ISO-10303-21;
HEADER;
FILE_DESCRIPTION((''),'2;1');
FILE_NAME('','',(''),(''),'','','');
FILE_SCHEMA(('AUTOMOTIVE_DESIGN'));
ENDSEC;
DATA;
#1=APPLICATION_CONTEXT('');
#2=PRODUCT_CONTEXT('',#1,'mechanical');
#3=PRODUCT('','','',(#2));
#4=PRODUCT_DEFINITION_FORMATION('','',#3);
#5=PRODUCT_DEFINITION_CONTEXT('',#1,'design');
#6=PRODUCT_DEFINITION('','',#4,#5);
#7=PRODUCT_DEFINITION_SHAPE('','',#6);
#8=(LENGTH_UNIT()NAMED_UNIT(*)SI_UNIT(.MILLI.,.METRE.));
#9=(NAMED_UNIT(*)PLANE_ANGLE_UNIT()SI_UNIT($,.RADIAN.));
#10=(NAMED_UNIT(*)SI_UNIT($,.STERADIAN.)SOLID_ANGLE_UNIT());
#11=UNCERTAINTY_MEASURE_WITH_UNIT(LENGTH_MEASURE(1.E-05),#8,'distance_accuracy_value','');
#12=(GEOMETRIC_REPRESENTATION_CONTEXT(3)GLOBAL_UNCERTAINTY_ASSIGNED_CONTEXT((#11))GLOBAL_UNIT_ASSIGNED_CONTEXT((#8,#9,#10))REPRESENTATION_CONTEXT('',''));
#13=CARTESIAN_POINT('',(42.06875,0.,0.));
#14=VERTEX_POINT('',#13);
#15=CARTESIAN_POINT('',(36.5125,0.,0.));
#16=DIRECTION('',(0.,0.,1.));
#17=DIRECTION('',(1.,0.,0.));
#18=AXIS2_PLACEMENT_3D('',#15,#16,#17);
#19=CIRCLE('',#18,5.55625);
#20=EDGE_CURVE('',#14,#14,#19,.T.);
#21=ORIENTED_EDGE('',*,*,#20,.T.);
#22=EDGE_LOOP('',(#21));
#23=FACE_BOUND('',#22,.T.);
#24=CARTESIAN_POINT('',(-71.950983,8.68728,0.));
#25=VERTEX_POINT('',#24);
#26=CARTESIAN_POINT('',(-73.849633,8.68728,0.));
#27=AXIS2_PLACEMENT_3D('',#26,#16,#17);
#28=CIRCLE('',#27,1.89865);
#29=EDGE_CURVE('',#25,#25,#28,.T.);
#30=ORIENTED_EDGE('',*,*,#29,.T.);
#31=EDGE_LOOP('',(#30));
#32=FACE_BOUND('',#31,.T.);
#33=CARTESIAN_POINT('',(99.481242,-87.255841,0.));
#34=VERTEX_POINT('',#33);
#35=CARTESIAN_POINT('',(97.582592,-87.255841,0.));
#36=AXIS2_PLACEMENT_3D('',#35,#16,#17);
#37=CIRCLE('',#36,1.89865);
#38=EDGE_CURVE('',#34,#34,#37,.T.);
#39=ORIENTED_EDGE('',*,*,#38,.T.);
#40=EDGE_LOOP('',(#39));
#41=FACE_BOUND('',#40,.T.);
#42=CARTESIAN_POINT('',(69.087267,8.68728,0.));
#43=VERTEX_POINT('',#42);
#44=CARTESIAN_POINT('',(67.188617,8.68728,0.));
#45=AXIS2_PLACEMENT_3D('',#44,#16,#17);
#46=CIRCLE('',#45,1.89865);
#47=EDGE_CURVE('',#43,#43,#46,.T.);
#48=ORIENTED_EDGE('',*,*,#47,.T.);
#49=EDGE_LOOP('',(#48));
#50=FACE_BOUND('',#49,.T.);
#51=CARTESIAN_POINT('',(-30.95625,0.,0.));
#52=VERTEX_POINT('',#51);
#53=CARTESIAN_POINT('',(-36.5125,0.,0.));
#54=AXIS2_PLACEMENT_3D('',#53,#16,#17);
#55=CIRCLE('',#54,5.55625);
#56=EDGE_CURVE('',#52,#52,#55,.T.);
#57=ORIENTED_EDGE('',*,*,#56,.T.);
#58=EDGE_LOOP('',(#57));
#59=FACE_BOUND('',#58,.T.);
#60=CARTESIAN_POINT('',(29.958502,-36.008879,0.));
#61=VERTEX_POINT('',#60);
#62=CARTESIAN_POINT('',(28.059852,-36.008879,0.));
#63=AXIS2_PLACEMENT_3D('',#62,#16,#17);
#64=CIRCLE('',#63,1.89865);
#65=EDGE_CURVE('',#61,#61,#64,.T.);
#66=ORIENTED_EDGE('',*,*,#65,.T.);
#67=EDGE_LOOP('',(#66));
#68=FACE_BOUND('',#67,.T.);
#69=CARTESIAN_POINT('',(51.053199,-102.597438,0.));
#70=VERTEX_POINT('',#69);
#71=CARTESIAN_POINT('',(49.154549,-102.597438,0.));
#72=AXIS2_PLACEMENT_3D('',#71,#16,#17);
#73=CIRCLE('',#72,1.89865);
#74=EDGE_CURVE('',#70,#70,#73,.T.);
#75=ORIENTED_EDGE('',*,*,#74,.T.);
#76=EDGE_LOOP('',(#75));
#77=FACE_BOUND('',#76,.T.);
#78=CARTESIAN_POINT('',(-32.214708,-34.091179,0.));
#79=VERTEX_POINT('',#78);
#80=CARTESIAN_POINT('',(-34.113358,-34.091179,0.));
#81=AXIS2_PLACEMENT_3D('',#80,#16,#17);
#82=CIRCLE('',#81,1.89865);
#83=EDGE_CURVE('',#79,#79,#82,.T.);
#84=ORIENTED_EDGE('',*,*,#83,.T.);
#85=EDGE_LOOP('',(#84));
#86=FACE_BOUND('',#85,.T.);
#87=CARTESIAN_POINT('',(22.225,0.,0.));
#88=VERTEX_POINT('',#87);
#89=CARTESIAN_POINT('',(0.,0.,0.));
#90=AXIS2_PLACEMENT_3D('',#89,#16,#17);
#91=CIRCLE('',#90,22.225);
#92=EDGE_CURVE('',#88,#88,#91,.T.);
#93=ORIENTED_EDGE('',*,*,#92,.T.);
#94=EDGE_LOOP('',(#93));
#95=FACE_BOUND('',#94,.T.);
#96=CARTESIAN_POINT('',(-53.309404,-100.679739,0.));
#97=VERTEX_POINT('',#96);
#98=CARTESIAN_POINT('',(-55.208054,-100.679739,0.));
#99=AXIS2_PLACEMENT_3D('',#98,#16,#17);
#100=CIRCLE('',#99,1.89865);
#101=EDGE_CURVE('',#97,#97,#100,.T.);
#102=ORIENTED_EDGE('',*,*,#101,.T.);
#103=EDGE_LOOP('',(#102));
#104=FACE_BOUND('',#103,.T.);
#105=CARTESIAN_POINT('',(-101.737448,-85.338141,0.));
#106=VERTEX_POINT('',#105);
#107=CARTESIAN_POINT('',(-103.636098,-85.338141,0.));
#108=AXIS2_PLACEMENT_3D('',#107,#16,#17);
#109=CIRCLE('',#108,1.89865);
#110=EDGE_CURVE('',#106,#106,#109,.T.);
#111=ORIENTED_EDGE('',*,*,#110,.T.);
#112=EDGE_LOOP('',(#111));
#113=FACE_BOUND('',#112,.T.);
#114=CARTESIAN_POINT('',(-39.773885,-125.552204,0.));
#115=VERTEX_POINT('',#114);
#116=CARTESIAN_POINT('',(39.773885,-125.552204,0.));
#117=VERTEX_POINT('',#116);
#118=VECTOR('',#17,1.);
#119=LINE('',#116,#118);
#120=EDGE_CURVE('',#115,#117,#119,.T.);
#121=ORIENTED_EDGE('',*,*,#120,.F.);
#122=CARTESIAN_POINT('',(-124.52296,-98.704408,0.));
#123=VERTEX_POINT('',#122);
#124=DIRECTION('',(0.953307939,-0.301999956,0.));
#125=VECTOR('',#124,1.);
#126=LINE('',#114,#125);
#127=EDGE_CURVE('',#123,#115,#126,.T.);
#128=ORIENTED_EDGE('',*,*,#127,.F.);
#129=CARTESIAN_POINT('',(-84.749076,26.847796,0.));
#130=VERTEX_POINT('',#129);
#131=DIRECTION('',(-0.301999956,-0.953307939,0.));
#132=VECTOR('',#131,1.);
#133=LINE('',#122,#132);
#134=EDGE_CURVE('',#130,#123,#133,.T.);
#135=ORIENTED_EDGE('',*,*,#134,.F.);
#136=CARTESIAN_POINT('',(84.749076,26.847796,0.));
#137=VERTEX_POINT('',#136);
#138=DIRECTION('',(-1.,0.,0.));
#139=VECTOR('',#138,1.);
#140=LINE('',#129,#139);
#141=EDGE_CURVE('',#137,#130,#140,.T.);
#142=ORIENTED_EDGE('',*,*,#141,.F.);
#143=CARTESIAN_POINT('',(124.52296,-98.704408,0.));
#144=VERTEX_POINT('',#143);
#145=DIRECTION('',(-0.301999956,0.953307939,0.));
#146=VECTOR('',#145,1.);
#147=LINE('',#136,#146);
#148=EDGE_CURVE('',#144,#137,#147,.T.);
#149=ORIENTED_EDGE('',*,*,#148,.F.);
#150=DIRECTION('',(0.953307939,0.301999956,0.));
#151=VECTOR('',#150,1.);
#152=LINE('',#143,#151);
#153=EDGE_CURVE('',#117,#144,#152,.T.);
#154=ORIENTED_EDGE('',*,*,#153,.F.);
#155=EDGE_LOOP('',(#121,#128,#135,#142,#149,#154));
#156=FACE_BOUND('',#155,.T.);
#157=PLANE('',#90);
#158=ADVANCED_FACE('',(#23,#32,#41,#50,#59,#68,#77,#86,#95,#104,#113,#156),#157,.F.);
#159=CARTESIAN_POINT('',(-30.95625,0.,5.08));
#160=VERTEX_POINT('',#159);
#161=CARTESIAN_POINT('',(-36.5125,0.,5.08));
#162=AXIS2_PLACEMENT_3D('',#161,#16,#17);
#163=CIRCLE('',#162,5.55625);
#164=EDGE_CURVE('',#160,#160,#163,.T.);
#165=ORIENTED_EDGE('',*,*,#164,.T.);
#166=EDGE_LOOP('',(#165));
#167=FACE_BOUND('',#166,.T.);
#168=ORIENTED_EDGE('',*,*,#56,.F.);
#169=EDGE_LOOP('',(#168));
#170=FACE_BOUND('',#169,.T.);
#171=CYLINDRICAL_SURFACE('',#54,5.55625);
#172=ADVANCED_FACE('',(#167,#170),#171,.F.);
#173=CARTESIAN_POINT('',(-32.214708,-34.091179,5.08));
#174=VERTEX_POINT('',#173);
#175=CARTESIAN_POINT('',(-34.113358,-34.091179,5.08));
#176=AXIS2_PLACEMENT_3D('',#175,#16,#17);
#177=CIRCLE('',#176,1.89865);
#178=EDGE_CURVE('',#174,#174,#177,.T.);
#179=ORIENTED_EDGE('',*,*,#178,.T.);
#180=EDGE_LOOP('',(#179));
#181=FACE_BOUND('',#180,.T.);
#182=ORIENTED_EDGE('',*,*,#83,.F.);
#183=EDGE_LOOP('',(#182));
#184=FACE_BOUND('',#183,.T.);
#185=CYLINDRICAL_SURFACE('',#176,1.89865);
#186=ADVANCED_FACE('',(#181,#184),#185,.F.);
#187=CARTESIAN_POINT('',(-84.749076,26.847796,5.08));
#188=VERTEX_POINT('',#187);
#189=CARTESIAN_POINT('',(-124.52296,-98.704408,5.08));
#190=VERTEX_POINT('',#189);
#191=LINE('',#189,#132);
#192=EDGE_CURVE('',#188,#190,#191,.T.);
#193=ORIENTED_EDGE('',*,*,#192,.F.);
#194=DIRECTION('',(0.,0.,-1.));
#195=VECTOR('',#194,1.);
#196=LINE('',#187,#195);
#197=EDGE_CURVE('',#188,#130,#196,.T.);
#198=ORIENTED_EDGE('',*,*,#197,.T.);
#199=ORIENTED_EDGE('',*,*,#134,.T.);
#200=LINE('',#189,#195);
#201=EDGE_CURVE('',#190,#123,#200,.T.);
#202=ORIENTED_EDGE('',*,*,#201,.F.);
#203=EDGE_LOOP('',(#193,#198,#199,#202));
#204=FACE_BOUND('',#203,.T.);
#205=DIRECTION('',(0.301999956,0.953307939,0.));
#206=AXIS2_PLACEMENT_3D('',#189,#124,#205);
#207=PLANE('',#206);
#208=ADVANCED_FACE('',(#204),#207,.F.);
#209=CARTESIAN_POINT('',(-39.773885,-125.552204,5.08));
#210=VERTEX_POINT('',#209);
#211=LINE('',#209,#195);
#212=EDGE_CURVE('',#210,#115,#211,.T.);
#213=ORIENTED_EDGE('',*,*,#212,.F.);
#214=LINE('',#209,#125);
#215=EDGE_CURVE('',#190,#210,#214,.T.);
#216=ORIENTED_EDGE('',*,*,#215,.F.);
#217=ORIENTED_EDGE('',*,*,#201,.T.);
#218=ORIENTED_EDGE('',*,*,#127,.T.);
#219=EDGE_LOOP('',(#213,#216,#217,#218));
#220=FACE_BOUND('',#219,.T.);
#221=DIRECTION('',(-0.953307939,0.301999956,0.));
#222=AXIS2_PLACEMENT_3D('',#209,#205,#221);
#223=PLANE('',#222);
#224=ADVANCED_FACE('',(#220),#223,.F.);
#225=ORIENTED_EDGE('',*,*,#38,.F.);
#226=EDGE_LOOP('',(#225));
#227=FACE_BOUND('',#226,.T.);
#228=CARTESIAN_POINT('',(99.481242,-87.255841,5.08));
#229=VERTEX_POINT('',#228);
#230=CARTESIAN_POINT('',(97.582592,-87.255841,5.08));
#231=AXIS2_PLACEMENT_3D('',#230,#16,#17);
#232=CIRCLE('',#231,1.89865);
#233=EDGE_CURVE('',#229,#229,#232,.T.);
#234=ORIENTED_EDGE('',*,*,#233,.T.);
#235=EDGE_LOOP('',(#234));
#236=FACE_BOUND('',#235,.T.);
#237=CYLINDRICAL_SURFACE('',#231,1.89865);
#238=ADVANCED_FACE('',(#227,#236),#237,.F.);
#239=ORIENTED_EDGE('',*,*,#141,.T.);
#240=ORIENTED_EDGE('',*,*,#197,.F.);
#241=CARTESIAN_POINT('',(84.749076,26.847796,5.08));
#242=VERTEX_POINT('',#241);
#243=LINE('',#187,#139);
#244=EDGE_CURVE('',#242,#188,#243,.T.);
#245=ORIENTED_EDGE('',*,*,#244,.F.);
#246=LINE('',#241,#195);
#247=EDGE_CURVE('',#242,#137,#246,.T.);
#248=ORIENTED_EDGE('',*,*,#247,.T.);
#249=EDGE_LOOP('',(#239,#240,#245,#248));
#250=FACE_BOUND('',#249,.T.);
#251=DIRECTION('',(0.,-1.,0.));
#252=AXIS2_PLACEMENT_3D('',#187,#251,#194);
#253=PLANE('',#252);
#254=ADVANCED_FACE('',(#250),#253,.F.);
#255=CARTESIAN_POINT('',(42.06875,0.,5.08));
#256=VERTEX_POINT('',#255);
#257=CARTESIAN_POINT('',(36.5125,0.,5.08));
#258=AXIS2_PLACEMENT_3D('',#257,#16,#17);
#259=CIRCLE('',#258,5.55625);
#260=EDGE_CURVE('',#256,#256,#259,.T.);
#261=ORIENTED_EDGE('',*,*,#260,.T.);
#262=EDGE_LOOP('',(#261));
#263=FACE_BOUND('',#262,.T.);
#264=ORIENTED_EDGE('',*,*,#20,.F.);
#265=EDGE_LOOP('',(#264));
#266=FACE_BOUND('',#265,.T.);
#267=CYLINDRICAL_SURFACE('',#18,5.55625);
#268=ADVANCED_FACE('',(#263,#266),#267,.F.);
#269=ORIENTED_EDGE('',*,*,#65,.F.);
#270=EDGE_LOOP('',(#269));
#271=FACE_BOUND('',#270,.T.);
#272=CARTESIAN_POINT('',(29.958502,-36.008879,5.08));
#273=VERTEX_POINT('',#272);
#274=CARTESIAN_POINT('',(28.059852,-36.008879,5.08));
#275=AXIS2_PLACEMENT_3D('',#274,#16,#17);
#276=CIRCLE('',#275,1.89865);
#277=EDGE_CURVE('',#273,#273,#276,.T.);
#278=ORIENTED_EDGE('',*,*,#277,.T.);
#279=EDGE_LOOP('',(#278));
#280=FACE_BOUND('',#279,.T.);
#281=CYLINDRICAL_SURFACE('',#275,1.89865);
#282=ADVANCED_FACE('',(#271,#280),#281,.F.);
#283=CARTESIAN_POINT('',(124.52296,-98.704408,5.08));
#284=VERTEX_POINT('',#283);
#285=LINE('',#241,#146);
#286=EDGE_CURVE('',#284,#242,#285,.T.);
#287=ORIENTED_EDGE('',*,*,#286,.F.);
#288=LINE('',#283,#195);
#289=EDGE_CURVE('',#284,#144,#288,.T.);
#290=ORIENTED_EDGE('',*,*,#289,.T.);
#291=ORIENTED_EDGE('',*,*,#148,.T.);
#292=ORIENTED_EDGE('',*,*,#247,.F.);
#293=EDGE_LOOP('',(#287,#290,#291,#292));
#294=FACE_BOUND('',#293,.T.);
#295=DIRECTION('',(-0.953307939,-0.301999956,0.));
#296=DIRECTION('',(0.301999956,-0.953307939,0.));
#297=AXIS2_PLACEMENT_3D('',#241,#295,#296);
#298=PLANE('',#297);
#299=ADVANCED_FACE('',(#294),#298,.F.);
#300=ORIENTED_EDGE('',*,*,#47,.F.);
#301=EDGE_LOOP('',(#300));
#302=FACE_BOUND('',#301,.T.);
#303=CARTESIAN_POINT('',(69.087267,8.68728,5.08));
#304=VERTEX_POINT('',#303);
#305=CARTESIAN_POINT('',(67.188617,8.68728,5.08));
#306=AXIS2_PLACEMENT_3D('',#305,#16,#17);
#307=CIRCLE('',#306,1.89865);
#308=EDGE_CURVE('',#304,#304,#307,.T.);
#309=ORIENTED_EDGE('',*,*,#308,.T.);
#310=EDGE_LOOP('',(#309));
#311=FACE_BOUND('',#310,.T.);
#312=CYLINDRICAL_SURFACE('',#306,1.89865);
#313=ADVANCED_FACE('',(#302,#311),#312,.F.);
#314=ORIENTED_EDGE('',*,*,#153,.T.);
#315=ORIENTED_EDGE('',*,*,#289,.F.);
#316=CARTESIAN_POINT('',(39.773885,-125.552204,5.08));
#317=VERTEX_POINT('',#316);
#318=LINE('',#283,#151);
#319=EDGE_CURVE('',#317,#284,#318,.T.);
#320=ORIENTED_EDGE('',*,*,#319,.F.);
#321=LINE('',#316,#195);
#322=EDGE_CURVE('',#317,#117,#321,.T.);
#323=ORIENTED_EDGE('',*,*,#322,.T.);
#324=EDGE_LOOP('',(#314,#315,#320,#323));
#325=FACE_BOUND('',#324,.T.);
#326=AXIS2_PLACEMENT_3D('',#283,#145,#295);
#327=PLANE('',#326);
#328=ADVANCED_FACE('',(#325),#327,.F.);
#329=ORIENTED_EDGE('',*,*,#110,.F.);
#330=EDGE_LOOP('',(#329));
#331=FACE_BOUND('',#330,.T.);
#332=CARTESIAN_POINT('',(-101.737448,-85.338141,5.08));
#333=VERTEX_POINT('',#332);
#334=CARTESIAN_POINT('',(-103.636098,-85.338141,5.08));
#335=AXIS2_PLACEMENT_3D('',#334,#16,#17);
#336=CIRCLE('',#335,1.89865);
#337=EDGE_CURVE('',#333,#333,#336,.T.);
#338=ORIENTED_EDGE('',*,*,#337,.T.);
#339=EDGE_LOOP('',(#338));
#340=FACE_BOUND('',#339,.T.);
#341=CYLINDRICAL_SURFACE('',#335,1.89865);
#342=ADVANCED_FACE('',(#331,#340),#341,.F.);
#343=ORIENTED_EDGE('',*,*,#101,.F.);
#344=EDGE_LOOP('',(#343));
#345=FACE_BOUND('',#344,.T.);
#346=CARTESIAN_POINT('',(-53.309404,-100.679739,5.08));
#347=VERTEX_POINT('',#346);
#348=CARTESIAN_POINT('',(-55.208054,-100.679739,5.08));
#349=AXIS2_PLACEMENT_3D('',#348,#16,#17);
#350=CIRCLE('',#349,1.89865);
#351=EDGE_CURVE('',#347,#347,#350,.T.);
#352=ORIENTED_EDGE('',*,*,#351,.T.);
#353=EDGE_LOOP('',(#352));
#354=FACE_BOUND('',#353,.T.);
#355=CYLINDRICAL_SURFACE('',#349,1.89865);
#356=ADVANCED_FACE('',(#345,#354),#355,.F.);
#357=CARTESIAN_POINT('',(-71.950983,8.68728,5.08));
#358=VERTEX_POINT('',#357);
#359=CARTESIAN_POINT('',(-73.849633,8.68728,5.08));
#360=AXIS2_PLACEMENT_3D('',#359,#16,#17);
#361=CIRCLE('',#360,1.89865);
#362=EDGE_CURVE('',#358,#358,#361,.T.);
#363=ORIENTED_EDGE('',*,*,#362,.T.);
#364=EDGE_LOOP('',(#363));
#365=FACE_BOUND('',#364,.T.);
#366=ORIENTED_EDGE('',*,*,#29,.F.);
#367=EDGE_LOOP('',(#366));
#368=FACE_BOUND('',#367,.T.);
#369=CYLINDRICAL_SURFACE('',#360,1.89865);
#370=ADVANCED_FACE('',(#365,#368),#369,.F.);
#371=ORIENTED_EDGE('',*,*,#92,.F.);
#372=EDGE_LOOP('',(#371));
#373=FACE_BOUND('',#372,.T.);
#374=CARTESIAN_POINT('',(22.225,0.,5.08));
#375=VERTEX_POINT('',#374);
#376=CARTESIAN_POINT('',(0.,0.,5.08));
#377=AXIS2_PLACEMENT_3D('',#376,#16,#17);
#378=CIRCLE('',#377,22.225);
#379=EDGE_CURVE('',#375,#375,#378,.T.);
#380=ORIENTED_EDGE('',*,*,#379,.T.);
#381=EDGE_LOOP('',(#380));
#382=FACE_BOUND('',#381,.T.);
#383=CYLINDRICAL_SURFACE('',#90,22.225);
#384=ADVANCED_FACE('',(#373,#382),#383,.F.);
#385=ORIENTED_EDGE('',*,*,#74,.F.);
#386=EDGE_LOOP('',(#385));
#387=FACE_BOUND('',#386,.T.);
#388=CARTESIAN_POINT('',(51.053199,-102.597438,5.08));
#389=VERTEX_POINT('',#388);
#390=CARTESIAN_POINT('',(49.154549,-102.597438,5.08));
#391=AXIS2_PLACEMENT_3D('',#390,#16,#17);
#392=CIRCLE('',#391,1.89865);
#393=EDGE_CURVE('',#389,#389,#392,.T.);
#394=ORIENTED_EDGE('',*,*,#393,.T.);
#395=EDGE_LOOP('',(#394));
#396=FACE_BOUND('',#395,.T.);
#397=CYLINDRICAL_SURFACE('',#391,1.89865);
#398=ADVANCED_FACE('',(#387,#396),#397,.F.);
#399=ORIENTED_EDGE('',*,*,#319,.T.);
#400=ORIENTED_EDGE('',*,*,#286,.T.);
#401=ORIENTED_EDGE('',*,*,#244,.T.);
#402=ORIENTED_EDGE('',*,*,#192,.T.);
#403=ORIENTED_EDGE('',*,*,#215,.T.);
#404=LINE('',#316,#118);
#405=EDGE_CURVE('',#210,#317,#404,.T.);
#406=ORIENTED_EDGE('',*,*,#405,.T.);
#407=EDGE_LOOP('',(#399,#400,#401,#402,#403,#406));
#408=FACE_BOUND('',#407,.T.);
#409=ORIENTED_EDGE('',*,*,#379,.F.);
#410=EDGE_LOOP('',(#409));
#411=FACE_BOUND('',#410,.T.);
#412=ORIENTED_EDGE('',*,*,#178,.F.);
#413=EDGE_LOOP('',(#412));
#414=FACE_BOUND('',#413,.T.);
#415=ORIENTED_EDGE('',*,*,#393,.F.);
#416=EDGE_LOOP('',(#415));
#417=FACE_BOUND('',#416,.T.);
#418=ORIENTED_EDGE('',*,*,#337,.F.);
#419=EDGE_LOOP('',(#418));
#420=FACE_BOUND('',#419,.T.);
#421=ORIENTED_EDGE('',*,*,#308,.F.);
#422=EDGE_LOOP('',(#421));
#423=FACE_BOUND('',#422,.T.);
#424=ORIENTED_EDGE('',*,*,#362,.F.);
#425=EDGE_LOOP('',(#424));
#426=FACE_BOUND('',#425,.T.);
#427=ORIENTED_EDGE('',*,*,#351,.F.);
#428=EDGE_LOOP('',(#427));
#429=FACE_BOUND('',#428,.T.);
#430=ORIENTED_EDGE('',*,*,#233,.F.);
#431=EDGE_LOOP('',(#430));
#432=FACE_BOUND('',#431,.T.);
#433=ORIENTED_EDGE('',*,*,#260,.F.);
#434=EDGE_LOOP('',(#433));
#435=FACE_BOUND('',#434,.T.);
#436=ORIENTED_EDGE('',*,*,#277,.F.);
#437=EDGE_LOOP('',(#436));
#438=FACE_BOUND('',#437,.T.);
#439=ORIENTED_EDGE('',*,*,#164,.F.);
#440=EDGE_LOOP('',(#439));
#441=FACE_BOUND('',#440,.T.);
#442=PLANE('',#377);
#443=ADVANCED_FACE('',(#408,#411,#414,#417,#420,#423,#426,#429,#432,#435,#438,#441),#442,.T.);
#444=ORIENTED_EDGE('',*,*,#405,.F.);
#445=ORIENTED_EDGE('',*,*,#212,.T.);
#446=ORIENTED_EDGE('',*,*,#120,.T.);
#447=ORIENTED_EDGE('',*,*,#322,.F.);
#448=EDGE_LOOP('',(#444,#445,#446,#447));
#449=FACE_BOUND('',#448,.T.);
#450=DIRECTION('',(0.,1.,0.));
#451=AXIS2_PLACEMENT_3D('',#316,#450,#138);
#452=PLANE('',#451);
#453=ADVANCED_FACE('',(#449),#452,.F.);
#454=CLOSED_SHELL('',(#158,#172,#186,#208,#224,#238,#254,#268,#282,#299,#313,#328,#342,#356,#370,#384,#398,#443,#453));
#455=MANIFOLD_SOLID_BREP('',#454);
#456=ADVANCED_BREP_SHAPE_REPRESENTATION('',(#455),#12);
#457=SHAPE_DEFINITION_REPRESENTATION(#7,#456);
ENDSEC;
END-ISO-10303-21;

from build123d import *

# Parameters (mm, degrees)
BOSS_EXTRUDE1_DEPTH   = 5.08
SKETCH2_R             = 22.225
SKETCH2_R_2           = 5.55625
CUT_EXTRUDE1_DEPTH    = 6.08
F_6_CLEARANCE_HOLE1_D = 3.7973


with BuildPart() as part:
    # Sketch1 → Boss-Extrude1 (new body)
    with BuildSketch(Plane.XY):
        Polygon((-84.749075787, 26.84779606), (84.749075787, 26.84779606), (124.522960457, -98.704407881), (39.77388467, -125.55220394), (-39.77388467, -125.55220394), (-124.522960457, -98.704407881), align=None)
    extrude(amount=BOSS_EXTRUDE1_DEPTH)

    # Sketch2 → Cut-Extrude1 (cut, through all)
    with BuildSketch(Plane.XY.offset(5.08)):
        Circle(SKETCH2_R)
        with Locations((-36.5125, 0)):
            Circle(SKETCH2_R_2)
        with Locations((36.5125, 0)):
            Circle(SKETCH2_R_2)
    extrude(amount=-CUT_EXTRUDE1_DEPTH, mode=Mode.SUBTRACT)

    # #6 Clearance Hole1 (through all)
    with Locations(Plane.XY.offset(5.08)):
        with Locations((-73.849633462, 8.68727982), (-103.636097768, -85.338140937), (-55.208054461, -100.679738685), (-34.113357557, -34.091179139), (49.154549048, -102.597438404), (97.582592354, -87.255840656), (28.059852144, -36.008878857), (67.188616869, 8.68727982)):
            Hole(F_6_CLEARANCE_HOLE1_D / 2)


solid = part.part
